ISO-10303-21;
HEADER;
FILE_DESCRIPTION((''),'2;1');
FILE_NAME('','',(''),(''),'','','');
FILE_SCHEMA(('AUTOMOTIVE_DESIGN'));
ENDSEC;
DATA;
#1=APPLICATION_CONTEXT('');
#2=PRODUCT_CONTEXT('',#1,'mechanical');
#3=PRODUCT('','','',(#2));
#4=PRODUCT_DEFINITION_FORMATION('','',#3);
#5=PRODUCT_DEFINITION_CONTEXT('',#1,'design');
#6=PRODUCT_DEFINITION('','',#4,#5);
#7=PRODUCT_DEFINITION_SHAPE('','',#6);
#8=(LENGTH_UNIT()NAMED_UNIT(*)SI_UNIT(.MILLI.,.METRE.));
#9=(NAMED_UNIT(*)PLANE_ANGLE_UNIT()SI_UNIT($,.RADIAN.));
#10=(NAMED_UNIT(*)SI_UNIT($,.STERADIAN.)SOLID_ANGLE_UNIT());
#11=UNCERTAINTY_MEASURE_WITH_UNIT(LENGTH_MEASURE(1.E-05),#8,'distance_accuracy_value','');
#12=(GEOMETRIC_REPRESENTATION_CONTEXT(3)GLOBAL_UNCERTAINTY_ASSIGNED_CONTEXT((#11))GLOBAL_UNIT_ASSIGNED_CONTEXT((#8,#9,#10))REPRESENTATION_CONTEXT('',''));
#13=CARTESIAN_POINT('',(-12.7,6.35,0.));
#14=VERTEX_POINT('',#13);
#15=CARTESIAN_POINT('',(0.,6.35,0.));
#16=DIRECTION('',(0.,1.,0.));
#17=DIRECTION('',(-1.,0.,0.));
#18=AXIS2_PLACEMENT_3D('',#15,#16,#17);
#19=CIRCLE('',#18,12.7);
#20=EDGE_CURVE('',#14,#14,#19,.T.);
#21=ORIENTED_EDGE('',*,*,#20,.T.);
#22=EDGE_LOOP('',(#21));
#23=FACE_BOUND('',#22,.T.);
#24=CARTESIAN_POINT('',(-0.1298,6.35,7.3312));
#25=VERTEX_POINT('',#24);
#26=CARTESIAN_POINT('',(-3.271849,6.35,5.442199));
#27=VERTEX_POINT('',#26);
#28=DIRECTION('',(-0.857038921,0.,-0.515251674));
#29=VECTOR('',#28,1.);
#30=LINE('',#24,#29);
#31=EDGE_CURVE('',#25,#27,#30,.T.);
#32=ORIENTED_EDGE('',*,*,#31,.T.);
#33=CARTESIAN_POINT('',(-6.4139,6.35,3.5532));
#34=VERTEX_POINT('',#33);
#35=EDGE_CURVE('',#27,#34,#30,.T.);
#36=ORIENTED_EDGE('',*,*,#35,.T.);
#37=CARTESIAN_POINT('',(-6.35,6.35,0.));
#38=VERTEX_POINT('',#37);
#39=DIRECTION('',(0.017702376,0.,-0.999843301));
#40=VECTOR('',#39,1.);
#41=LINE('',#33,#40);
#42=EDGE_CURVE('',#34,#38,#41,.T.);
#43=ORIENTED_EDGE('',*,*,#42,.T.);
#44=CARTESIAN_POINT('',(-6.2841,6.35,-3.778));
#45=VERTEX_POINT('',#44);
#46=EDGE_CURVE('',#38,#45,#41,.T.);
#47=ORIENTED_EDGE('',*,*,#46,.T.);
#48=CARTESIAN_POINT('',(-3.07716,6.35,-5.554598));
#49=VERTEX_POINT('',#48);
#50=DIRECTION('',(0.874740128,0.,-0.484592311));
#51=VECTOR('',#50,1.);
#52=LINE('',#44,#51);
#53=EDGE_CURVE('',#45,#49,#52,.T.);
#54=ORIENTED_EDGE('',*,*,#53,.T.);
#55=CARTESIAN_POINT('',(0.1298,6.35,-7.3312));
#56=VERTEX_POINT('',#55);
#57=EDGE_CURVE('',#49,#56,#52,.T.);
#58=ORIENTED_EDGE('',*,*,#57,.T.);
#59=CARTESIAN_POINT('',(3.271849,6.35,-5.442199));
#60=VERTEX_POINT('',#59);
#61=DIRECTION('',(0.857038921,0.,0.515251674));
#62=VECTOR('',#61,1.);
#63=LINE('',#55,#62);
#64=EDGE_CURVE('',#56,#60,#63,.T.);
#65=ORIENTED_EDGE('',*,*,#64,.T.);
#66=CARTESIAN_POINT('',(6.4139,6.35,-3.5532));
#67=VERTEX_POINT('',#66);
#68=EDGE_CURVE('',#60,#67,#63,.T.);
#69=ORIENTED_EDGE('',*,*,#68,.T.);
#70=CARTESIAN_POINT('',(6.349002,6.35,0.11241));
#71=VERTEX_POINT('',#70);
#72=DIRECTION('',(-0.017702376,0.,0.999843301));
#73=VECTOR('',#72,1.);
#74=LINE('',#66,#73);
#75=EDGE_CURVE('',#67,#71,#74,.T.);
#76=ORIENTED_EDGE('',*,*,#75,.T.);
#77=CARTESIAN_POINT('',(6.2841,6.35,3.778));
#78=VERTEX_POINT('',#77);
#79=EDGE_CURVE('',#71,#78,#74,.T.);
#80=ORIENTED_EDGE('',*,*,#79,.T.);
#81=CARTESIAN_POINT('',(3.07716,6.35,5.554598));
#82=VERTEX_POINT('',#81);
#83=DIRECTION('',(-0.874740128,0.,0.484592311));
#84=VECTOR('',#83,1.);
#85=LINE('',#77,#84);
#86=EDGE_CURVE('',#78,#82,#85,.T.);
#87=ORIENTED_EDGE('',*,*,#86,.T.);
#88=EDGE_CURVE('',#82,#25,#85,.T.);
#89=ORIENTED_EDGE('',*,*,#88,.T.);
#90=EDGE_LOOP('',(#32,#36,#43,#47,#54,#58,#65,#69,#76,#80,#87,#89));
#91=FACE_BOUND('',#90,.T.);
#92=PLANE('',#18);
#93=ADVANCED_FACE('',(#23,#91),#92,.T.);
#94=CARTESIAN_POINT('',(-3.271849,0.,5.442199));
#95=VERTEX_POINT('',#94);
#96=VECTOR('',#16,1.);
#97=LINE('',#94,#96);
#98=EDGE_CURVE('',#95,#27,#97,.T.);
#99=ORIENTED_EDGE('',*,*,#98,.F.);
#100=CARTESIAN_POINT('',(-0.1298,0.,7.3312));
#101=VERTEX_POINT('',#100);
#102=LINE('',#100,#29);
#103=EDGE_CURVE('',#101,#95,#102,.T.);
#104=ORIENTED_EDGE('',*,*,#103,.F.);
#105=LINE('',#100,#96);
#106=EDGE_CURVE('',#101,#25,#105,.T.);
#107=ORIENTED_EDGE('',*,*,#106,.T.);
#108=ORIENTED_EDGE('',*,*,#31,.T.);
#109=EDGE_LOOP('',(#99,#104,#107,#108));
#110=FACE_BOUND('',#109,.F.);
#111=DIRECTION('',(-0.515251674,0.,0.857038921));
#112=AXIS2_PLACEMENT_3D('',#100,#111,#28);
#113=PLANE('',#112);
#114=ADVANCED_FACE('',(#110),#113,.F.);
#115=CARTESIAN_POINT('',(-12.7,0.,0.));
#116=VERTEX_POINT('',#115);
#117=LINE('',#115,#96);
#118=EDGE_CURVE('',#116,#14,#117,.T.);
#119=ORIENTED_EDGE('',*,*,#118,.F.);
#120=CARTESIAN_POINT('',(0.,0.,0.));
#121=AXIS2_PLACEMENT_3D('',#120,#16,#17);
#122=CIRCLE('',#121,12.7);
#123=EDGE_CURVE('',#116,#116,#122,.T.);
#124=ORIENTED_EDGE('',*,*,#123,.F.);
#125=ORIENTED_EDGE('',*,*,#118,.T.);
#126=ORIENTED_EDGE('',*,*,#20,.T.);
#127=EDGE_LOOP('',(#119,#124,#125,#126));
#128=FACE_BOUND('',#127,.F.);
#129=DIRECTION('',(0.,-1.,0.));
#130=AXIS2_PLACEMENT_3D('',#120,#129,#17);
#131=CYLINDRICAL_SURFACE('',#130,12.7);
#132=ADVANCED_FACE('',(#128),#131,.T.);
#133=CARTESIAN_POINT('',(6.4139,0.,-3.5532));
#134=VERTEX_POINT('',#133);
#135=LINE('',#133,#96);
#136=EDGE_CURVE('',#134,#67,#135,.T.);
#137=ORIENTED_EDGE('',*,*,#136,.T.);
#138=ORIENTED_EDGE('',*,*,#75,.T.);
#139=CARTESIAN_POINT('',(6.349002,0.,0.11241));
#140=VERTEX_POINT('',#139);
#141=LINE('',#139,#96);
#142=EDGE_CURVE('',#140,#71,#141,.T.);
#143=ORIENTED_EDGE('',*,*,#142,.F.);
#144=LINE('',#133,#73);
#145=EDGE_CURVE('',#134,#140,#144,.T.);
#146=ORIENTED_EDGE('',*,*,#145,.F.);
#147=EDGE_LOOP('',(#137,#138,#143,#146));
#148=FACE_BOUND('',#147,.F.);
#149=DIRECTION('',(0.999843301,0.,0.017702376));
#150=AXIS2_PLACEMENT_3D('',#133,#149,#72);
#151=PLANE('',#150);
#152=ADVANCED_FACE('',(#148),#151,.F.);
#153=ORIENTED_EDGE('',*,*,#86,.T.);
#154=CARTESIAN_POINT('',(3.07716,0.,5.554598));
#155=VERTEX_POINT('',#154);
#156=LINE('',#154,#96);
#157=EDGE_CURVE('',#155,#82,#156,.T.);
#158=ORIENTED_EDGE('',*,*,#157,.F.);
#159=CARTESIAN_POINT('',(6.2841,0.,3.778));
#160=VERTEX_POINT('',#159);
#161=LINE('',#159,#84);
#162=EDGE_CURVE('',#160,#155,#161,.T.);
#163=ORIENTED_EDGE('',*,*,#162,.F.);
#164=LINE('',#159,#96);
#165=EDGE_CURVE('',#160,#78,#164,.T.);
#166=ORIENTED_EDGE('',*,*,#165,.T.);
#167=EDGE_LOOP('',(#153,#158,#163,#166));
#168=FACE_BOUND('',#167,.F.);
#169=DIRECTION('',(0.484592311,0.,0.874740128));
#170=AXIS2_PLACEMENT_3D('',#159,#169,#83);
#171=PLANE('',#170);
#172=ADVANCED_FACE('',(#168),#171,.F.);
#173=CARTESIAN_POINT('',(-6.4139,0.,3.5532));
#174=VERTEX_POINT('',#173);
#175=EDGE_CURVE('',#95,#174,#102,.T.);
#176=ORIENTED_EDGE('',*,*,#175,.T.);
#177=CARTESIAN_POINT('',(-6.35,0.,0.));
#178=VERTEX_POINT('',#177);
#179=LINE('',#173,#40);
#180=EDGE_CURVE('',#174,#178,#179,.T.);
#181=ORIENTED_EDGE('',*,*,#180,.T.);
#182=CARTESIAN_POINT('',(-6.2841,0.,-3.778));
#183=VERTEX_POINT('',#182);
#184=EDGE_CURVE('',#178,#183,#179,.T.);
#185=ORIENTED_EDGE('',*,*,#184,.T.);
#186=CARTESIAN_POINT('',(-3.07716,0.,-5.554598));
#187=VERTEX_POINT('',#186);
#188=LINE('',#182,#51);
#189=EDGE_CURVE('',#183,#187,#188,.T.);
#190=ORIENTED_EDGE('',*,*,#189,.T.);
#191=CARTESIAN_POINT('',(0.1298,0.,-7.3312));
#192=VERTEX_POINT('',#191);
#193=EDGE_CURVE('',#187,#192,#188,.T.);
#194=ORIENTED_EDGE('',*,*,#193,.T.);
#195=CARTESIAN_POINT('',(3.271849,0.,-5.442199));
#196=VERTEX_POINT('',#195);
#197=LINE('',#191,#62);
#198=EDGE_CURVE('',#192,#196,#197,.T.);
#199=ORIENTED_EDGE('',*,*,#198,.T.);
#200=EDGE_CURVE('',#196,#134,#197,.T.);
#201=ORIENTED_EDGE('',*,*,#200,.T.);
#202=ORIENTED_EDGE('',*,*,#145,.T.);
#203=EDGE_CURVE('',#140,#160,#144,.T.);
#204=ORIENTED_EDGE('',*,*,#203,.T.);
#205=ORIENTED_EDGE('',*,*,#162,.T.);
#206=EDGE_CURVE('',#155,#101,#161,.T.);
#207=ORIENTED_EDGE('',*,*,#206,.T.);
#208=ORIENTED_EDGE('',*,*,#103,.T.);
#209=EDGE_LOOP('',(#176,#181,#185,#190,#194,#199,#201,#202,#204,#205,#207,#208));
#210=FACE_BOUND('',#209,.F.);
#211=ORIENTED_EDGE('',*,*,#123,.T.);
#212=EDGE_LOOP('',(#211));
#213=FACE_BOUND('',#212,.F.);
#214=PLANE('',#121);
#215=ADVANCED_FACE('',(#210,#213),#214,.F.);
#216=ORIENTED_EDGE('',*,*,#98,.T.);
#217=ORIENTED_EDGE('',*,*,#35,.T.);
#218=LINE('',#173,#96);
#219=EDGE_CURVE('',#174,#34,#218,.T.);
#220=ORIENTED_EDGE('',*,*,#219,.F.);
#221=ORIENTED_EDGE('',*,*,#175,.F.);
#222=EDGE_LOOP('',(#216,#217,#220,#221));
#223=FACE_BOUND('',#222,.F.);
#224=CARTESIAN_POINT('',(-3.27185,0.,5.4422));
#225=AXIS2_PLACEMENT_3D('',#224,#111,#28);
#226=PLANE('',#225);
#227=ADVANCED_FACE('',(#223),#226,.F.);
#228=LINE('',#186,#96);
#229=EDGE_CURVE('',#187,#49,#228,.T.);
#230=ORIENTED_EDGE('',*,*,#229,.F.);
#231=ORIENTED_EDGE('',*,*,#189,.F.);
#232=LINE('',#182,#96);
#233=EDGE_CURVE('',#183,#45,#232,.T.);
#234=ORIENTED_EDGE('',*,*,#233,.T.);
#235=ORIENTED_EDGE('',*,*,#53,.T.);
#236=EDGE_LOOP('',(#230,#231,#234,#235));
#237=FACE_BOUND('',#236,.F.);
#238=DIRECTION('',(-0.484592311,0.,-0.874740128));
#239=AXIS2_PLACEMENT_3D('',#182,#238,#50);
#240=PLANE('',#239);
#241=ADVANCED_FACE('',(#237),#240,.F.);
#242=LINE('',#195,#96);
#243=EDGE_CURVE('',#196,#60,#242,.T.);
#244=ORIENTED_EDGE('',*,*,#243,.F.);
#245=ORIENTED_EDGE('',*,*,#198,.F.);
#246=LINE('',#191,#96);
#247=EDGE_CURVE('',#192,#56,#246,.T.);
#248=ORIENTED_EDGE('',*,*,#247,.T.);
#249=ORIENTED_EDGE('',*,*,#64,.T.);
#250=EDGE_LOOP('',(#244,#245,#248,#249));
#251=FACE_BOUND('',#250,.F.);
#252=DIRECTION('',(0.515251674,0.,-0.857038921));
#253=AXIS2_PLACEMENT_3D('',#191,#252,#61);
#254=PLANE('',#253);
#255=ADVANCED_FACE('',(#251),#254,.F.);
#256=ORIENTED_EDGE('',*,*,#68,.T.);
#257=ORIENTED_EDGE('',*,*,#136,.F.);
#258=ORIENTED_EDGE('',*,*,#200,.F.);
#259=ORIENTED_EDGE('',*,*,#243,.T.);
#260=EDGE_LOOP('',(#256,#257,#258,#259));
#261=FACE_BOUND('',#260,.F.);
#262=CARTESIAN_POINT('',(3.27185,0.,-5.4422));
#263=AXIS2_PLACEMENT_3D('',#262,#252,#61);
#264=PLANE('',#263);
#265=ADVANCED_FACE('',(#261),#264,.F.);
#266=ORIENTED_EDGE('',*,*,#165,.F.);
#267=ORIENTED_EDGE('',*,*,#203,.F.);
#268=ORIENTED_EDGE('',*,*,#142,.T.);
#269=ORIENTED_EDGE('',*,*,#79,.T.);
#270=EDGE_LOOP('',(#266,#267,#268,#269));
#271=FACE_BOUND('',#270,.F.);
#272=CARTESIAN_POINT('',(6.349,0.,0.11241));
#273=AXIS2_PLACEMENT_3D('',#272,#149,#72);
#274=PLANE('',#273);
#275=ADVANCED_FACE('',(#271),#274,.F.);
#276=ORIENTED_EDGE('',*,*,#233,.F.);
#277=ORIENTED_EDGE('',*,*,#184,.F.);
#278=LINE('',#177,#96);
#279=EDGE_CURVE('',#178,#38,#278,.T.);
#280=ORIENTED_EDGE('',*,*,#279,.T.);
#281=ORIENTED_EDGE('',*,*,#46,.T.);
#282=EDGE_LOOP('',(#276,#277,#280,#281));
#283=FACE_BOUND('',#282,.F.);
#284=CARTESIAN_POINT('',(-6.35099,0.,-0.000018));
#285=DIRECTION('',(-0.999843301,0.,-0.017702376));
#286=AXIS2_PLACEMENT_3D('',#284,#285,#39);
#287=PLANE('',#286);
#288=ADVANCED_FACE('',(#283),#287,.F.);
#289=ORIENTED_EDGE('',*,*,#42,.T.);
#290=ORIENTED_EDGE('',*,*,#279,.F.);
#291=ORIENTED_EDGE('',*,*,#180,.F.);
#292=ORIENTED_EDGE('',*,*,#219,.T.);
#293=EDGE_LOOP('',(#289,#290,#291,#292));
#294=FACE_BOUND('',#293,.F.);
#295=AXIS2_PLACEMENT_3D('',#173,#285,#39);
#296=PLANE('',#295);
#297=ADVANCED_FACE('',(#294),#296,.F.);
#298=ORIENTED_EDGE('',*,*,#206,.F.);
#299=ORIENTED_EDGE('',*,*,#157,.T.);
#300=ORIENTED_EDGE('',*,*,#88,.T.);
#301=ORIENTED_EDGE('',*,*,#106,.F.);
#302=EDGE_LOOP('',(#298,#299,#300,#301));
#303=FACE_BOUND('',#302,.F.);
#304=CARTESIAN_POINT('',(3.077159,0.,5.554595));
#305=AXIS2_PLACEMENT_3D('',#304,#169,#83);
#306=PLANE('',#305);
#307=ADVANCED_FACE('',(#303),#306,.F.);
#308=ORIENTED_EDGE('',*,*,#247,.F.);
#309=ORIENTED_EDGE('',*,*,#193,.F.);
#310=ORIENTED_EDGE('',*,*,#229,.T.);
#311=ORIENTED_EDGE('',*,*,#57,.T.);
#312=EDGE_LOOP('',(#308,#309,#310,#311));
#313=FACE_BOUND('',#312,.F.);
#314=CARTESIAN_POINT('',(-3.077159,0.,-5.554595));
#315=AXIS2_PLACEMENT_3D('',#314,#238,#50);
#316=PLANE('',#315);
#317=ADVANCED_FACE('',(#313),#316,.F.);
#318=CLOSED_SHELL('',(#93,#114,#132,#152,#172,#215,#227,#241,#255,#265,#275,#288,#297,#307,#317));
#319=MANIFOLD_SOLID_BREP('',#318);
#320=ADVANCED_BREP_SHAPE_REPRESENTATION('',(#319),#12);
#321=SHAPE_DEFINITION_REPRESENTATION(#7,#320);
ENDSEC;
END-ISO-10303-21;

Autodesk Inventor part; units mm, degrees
ref_plane "YZ Plane" through (0, 0, 0) normal (1, 0, 0) x (0, 1, 0)
ref_plane "XZ Plane" through (0, 0, 0) normal (0, 1, 0) x (-1, 0, 0)
ref_plane "XY Plane" through (0, 0, 0) normal (0, 0, 1) x (1, 0, 0)
sketch "Sketch1" plane through (0, 0, 0) normal (0, 1, 0) x (-1, 0, 0)
  circle A0 centre (0, 0) radius 6.35
  line L0 (-0.1298, -7.3312) -> (-6.4139, -3.5532)
  line L1 (-6.4139, -3.5532) -> (-6.2841, 3.778)
  line L2 (-6.2841, 3.778) -> (0.1298, 7.3312)
  line L3 (0.1298, 7.3312) -> (6.4139, 3.5532)
  line L4 (6.4139, 3.5532) -> (6.2841, -3.778)
  line L5 (6.2841, -3.778) -> (-0.1298, -7.3312)
  circle A1 centre (0, 0) radius 12.7
  point P0 (3.0772, -5.5546)
  dimension "d0" = 12.7
  dimension "d1" = 25.4
extrude "Extrusion1" add sketch "Sketch1" along normal blind 6.35
properties part number "4-bar intake spacer"
